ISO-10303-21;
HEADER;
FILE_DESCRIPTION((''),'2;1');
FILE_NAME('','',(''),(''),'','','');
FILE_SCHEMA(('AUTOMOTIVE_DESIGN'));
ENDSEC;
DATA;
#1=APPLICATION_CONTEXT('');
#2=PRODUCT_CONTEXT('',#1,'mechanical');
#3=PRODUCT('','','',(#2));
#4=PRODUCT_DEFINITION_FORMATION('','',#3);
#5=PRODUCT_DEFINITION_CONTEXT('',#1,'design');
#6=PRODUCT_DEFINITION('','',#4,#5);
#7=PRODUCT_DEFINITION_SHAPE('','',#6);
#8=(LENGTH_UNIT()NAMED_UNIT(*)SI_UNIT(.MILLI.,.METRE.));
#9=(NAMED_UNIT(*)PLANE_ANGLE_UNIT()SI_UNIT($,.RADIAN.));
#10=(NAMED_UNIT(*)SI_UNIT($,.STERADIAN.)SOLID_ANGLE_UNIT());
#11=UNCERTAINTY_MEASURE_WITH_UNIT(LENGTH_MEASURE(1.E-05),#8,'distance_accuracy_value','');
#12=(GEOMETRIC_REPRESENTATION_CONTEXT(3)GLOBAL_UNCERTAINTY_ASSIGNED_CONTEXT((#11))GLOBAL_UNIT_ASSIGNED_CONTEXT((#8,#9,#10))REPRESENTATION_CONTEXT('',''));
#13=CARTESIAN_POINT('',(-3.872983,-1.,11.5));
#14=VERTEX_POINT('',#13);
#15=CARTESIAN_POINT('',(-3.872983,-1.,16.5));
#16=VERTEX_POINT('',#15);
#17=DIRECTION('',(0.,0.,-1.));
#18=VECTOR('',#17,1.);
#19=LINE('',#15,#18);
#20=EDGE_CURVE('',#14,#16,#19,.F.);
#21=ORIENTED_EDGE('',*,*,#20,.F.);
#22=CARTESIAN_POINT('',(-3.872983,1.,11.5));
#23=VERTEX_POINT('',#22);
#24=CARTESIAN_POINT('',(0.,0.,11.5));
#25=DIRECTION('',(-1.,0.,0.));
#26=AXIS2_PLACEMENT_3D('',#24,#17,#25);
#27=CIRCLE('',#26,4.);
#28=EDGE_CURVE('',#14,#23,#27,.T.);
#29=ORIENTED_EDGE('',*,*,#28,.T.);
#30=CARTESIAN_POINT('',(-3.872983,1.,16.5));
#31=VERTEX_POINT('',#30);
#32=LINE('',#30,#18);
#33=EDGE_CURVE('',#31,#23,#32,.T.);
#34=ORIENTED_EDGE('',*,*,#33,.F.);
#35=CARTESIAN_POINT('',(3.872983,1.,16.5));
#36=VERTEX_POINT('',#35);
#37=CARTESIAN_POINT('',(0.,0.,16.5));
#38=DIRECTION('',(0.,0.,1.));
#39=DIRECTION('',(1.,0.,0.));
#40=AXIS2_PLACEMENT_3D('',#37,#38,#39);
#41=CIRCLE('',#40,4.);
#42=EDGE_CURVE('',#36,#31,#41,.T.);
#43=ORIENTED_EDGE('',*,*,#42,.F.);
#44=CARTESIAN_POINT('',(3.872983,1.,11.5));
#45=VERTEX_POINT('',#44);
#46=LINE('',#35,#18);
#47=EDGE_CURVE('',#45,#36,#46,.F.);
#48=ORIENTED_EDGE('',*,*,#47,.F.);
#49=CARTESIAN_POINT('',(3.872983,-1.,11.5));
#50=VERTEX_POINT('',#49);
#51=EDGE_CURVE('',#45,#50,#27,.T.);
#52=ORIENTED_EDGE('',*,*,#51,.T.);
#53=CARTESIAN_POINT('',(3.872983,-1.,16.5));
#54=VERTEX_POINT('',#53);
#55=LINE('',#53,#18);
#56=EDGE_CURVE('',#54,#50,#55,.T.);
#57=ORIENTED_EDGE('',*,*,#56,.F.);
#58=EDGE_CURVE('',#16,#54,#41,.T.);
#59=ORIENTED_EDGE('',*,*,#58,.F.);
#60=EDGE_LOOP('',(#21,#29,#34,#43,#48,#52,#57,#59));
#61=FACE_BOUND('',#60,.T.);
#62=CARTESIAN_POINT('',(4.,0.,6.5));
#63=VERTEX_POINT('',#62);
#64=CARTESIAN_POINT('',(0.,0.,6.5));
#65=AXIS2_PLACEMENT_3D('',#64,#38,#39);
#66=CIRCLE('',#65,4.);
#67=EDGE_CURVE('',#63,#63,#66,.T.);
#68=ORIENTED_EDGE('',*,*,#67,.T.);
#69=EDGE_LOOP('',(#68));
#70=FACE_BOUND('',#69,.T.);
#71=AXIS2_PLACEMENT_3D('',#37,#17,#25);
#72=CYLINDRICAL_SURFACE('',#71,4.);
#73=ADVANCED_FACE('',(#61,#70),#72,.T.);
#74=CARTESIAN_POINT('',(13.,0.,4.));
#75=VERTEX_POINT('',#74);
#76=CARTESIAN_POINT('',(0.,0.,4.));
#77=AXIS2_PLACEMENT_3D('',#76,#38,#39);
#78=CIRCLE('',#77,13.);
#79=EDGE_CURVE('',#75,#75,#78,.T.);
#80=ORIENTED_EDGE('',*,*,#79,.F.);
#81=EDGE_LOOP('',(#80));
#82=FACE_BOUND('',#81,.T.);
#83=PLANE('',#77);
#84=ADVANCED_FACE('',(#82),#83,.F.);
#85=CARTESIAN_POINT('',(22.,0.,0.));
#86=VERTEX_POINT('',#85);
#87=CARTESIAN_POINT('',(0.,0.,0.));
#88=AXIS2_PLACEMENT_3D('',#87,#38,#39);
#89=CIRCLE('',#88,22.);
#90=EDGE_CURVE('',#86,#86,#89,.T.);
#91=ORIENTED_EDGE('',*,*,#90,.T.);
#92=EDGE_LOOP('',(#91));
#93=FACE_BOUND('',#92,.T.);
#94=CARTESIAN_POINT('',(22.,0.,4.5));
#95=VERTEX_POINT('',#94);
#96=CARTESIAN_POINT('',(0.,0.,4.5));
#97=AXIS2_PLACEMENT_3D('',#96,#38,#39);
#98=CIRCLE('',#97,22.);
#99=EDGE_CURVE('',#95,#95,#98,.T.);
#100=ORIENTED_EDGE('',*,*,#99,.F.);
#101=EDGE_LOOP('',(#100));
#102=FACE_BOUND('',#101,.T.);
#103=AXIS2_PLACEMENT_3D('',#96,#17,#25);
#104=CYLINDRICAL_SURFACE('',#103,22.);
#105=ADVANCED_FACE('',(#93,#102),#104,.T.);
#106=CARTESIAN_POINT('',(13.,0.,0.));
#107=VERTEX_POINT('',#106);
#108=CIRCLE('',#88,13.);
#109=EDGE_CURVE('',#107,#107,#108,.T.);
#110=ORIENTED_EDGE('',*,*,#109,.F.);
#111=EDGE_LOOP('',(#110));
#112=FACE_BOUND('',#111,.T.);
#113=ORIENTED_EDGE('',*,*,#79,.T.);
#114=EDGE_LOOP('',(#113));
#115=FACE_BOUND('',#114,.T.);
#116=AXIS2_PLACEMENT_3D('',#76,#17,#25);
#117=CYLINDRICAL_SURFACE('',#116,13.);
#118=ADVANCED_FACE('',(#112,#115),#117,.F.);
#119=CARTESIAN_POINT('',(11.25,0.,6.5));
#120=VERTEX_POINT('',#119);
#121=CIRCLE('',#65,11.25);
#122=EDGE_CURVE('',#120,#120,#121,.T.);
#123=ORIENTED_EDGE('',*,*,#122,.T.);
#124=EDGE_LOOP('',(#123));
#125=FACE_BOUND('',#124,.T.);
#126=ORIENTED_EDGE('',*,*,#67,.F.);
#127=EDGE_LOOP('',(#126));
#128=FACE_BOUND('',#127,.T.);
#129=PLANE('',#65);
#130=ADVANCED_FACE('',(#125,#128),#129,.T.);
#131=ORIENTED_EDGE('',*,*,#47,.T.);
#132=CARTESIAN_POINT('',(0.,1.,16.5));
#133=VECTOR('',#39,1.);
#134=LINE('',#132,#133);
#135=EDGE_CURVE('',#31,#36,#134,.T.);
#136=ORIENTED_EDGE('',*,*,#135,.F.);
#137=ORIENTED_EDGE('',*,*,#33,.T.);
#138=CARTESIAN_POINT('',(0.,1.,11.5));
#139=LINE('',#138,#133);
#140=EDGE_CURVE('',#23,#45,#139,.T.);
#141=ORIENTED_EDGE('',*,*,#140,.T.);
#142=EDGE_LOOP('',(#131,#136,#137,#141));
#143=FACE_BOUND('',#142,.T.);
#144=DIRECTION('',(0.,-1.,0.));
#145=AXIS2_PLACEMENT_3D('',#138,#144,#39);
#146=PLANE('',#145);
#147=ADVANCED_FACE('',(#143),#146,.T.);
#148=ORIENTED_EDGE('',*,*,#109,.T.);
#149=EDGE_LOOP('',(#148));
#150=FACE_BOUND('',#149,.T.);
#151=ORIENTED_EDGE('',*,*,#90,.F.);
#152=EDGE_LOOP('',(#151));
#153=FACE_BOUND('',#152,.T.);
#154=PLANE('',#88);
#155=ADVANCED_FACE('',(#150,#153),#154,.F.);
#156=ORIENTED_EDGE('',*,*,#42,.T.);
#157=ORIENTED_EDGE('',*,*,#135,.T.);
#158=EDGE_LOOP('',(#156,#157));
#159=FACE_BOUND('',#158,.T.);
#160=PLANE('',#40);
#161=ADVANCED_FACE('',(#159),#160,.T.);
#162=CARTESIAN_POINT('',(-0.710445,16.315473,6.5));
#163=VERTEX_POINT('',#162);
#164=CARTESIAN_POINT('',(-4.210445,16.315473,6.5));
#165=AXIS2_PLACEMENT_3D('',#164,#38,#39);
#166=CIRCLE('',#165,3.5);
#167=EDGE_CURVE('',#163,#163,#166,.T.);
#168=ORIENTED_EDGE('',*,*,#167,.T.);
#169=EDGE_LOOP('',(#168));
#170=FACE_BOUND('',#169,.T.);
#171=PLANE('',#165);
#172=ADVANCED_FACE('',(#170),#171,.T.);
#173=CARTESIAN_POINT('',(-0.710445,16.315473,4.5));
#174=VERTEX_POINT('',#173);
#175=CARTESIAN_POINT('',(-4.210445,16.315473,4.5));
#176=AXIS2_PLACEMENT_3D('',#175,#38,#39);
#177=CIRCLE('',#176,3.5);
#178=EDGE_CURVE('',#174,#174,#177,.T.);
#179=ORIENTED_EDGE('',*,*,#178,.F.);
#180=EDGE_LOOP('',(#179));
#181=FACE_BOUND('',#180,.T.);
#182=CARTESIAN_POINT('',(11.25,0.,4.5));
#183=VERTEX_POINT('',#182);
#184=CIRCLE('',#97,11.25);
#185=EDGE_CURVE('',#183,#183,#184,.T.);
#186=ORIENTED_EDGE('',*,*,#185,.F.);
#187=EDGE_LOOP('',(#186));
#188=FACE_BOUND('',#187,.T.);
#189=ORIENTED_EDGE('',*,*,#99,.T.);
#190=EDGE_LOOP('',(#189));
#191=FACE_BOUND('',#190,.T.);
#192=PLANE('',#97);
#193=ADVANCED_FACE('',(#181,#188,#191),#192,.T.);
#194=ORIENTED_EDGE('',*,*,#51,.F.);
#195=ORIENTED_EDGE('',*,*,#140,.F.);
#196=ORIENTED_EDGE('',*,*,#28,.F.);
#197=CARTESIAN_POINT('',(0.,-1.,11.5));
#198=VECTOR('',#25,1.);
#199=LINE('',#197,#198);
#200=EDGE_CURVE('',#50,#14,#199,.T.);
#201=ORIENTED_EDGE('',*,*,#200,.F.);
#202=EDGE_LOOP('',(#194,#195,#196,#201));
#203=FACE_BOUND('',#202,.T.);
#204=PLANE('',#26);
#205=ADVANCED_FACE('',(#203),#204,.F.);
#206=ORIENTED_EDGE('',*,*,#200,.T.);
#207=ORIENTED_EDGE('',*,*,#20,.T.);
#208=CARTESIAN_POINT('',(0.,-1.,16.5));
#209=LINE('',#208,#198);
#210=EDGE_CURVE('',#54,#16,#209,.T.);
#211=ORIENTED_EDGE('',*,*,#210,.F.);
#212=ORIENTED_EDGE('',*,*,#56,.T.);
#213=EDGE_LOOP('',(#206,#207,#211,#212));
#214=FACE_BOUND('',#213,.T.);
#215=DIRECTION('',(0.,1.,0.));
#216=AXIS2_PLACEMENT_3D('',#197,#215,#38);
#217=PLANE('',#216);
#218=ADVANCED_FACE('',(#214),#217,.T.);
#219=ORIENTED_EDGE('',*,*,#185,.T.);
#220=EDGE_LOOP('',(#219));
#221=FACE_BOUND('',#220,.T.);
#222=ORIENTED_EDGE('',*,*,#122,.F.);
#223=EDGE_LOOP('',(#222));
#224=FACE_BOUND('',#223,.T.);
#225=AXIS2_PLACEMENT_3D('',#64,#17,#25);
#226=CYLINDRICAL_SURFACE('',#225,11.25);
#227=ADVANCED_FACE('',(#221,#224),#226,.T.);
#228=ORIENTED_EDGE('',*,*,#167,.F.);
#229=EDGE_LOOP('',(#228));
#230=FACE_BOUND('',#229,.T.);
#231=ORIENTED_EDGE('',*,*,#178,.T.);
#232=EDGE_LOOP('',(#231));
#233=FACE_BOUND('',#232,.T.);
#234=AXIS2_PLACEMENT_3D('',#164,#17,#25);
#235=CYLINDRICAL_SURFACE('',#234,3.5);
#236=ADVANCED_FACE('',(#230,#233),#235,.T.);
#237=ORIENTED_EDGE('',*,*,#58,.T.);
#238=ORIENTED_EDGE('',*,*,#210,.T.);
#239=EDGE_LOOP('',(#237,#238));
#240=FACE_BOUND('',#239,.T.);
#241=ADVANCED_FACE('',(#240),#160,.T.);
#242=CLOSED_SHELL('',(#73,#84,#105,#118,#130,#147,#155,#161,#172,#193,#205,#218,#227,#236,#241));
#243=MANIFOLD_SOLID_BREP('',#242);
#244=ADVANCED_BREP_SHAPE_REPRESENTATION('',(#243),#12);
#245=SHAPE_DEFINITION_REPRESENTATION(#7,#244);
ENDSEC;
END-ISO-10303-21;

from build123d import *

# Parameters (mm, degrees)
SKETCH1_R           = 22
BOSS_EXTRUDE1_DEPTH = 4.5
BOSS_EXTRUDE2_START = 4.5
SKETCH2_R           = 11.25
BOSS_EXTRUDE2_DEPTH = 2
BOSS_EXTRUDE3_START = 4.5
SKETCH3_R           = 3.5
BOSS_EXTRUDE3_DEPTH = 2
BOSS_EXTRUDE4_START = 6.5
SKETCH4_R           = 4
BOSS_EXTRUDE4_DEPTH = 10
CUT_EXTRUDE1_START  = 16.5
SKETCH5_W           = 54.287880581
SKETCH5_H           = 2
CUT_EXTRUDE1_DEPTH  = 5
SKETCH6_R           = 13
CUT_EXTRUDE2_DEPTH  = 4


with BuildPart() as part:
    # Sketch1 → Boss-Extrude1 (new body)
    with BuildSketch(Plane.XY):
        Circle(SKETCH1_R)
    extrude(amount=BOSS_EXTRUDE1_DEPTH)

    # Sketch2 → Boss-Extrude2 (add)
    with BuildSketch(Plane.XY.offset(BOSS_EXTRUDE2_START)):
        Circle(SKETCH2_R)
    extrude(amount=BOSS_EXTRUDE2_DEPTH)

    # Sketch3 → Boss-Extrude3 (add)
    with BuildSketch(Plane.XY.offset(BOSS_EXTRUDE3_START)):
        with Locations((-4.210444621, 16.315472905)):
            Circle(SKETCH3_R)
    extrude(amount=BOSS_EXTRUDE3_DEPTH)

    # Sketch4 → Boss-Extrude4 (add)
    with BuildSketch(Plane.XY.offset(BOSS_EXTRUDE4_START)):
        Circle(SKETCH4_R)
    extrude(amount=BOSS_EXTRUDE4_DEPTH)

    # Sketch5 → Cut-Extrude1 (cut)
    with BuildSketch(Plane.XY.offset(CUT_EXTRUDE1_START)):
        with Locations((2.276588541, 0)):
            Rectangle(SKETCH5_W, SKETCH5_H)
    extrude(amount=-CUT_EXTRUDE1_DEPTH, mode=Mode.SUBTRACT)

    # Sketch6 → Cut-Extrude2 (cut)
    with BuildSketch(Plane.XY):
        Circle(SKETCH6_R)
    extrude(amount=CUT_EXTRUDE2_DEPTH, mode=Mode.SUBTRACT)


solid = part.part
